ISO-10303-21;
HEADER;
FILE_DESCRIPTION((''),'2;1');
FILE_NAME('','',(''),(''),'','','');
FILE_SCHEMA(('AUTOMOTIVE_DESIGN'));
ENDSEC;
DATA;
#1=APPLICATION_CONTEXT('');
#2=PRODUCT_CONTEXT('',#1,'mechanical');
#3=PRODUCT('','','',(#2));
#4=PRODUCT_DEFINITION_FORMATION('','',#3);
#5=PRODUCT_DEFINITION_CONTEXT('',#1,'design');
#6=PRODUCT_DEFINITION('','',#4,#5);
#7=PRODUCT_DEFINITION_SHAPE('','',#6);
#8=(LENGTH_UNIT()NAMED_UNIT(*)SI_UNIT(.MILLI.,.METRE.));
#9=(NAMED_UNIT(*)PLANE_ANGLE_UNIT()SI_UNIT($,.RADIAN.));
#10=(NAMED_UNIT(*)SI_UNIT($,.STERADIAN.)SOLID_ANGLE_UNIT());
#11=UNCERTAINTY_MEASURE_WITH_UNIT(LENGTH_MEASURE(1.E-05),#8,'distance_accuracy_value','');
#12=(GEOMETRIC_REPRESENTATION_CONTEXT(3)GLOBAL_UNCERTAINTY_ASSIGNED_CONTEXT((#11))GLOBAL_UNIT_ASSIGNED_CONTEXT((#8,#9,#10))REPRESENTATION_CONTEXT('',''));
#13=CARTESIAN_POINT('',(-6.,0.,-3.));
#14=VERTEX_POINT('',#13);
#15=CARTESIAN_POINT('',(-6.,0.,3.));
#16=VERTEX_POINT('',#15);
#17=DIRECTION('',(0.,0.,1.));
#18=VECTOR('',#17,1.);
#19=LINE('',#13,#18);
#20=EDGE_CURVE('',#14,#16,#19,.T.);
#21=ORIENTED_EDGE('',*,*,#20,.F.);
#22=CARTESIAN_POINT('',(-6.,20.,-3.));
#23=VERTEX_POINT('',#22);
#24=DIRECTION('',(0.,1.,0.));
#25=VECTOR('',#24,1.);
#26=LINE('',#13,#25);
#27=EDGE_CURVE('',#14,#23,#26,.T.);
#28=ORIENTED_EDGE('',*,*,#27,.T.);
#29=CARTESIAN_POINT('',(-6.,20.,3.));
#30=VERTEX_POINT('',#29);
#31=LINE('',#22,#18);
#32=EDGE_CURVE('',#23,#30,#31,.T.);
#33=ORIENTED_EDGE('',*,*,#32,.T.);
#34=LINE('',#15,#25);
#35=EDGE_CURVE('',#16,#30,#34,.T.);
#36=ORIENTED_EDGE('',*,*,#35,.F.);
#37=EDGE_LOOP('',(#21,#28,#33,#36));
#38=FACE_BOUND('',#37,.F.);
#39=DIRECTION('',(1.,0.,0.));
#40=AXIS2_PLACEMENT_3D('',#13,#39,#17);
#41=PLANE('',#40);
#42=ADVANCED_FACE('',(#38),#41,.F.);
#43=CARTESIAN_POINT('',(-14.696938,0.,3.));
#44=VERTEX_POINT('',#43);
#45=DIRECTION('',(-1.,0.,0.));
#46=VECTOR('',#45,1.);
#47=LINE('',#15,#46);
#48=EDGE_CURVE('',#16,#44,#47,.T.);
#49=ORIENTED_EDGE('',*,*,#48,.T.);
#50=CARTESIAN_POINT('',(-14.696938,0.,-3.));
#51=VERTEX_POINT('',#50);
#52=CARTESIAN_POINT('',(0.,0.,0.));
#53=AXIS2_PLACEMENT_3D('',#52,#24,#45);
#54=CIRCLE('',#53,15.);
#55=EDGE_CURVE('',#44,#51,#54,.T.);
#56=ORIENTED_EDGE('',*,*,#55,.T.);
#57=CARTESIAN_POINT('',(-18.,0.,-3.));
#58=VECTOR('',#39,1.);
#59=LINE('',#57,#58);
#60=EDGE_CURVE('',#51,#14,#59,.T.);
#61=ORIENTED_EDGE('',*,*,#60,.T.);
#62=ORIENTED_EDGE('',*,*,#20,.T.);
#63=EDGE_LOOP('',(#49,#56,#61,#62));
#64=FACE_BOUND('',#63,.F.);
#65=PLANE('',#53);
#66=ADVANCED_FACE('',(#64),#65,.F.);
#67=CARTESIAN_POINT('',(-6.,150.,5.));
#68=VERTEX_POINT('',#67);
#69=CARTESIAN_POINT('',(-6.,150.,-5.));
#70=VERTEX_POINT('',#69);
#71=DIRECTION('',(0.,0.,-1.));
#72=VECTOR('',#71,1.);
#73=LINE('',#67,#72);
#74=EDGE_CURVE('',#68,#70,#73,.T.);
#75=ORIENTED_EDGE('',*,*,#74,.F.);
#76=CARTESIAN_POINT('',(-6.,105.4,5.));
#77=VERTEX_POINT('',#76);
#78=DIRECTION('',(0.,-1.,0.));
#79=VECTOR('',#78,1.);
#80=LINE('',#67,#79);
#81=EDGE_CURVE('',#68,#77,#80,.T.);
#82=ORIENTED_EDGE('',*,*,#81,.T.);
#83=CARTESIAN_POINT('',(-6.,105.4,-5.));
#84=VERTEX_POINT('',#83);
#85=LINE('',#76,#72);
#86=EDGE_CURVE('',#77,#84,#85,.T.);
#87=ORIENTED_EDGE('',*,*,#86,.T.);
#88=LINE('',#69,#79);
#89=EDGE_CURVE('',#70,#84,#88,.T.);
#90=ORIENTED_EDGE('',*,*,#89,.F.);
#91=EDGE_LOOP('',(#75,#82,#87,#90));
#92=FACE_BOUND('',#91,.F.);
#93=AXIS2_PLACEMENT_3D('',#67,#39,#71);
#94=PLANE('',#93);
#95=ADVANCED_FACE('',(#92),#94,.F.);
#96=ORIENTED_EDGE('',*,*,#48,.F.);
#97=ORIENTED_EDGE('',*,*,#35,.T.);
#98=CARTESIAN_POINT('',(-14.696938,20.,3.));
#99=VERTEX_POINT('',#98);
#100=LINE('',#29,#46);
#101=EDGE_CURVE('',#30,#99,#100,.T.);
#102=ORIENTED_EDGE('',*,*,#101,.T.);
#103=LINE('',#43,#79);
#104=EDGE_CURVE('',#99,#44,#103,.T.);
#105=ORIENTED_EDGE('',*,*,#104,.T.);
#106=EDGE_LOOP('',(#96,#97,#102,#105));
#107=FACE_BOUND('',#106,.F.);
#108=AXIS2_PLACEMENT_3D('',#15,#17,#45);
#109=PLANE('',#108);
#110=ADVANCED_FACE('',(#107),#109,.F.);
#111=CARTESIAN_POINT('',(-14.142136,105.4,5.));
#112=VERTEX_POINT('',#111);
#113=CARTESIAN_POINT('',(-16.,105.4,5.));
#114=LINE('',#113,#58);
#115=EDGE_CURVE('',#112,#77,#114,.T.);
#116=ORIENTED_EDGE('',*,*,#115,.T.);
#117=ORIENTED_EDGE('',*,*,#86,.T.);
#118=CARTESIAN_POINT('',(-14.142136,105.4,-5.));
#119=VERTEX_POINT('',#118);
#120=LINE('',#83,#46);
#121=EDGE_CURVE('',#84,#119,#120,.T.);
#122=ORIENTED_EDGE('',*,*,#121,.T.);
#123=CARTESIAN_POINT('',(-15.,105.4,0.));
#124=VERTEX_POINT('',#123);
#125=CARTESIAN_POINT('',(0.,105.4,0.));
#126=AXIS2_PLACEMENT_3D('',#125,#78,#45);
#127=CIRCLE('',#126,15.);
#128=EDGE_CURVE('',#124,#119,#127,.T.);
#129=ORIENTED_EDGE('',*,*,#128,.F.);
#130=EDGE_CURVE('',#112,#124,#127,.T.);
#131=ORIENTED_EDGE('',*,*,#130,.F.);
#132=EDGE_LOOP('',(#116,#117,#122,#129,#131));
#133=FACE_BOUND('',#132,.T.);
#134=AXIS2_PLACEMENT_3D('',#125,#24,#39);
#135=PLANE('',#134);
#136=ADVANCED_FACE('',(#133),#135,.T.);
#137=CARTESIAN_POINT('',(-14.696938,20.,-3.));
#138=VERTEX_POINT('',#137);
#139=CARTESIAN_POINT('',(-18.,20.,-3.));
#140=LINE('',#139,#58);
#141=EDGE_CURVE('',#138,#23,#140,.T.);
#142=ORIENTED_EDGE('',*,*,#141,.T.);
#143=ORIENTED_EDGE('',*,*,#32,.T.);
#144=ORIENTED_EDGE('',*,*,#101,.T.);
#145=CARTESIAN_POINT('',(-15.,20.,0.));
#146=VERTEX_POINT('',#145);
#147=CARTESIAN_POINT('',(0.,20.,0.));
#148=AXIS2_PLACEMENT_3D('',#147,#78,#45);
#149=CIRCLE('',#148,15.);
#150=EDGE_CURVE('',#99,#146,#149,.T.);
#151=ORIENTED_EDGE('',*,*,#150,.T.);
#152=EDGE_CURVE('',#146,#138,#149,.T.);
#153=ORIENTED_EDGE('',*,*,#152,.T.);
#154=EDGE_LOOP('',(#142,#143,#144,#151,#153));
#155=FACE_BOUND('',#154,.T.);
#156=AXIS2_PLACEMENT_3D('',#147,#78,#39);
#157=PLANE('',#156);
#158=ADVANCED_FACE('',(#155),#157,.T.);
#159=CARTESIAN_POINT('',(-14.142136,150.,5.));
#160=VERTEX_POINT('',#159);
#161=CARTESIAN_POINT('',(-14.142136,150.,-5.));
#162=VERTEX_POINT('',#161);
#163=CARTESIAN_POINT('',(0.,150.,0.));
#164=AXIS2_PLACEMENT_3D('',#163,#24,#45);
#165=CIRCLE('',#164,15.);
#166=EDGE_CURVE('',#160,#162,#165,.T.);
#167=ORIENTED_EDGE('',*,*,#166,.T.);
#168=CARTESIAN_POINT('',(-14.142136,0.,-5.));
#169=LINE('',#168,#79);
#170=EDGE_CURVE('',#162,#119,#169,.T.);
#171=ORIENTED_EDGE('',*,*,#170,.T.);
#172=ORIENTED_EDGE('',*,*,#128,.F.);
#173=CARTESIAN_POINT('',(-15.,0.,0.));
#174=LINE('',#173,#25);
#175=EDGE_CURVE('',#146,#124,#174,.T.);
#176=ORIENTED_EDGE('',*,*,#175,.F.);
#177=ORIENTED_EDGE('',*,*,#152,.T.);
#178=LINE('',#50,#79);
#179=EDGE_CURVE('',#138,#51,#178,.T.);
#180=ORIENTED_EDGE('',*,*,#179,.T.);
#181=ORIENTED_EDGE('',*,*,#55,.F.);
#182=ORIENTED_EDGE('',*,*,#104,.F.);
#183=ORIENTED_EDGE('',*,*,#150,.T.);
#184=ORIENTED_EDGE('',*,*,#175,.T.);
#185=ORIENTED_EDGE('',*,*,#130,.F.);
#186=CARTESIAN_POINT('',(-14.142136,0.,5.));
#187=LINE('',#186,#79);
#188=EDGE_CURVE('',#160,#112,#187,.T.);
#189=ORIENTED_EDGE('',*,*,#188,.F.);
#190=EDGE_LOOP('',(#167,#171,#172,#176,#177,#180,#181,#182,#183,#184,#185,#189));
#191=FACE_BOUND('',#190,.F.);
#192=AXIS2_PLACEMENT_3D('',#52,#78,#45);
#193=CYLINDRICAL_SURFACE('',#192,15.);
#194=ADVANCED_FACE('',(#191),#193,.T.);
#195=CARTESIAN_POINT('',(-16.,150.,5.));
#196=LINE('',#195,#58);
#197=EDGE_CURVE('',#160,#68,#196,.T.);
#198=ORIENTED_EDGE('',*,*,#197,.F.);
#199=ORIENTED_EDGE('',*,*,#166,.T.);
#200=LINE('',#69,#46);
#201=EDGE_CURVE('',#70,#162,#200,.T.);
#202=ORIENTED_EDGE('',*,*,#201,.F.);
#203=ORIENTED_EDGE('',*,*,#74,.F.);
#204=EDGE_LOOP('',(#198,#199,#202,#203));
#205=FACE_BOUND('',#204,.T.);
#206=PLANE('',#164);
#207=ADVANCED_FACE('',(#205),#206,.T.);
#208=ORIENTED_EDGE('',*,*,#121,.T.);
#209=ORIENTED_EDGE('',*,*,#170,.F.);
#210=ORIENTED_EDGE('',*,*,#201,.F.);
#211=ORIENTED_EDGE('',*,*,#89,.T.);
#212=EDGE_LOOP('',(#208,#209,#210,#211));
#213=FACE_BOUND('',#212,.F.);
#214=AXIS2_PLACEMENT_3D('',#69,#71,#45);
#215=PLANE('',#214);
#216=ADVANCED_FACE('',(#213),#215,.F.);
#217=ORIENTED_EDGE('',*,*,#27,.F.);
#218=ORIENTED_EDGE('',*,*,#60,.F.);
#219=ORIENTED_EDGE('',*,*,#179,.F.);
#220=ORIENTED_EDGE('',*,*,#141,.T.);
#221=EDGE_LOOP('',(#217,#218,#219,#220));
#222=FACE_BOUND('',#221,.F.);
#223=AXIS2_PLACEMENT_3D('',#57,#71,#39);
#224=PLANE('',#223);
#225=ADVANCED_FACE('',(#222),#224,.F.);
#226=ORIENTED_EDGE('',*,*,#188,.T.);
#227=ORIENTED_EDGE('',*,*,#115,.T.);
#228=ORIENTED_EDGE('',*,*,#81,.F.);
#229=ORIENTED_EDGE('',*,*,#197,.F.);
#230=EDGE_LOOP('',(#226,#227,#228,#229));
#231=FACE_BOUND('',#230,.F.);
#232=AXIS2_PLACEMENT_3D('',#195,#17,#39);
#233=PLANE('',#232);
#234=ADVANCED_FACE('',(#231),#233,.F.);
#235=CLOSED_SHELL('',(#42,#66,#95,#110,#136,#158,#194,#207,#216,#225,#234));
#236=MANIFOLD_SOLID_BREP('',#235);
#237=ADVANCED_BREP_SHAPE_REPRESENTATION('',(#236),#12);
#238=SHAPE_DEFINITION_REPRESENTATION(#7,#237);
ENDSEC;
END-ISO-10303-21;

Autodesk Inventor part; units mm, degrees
ref_plane "YZ Plane" through (0, 0, 0) normal (1, 0, 0) x (0, 1, 0)
ref_plane "XZ Plane" through (0, 0, 0) normal (0, 1, 0) x (-1, 0, 0)
ref_plane "XY Plane" through (0, 0, 0) normal (0, 0, 1) x (1, 0, 0)
sketch "Skizze1" plane through (0, 0, 0) normal (0, 1, 0) x (-1, 0, 0)
  circle A0 centre (0, 0) radius 15
  dimension "d0" = 30
extrude "Extrusion1" add sketch "Skizze1" along normal blind 150
sketch "Skizze2" plane through (0, 150, 0) normal (0, 1, 0) x (1, 0, 0)
  line L0 (-16, -5) -> (-6, -5)
  line L1 (-6, -5) -> (-6, 5)
  line L2 (-6, 5) -> (-16, 5)
  line L3 (-16, 5) -> (-16, -5)
  line L4 (-22.2, 0) -> (21.2, 0) construction
  line L5 (0, 21) -> (0, -21) construction
  dimension "d3" = 6
  dimension "d4" = 10
  dimension "d5" = 10
extrude "Extrusion2" cut sketch "Skizze2" against normal blind 44.6
sketch "Skizze3" plane through (0, 0, 0) normal (0, -1, 0) x (1, 0, 0)
  line L0 (-18, -3) -> (-6, -3)
  line L1 (-6, -3) -> (-6, 3)
  line L2 (-6, 3) -> (-18, 3)
  line L3 (-18, 3) -> (-18, -3)
  line L4 (-24.6, 0) -> (21.6, 0) construction
  line L5 (0, -21) -> (0, 21) construction
  dimension "d8" = 6
  dimension "d9" = 12
  dimension "d10" = 6
extrude "Extrusion3" cut sketch "Skizze3" against normal blind 20
properties part number "Welle_000"
